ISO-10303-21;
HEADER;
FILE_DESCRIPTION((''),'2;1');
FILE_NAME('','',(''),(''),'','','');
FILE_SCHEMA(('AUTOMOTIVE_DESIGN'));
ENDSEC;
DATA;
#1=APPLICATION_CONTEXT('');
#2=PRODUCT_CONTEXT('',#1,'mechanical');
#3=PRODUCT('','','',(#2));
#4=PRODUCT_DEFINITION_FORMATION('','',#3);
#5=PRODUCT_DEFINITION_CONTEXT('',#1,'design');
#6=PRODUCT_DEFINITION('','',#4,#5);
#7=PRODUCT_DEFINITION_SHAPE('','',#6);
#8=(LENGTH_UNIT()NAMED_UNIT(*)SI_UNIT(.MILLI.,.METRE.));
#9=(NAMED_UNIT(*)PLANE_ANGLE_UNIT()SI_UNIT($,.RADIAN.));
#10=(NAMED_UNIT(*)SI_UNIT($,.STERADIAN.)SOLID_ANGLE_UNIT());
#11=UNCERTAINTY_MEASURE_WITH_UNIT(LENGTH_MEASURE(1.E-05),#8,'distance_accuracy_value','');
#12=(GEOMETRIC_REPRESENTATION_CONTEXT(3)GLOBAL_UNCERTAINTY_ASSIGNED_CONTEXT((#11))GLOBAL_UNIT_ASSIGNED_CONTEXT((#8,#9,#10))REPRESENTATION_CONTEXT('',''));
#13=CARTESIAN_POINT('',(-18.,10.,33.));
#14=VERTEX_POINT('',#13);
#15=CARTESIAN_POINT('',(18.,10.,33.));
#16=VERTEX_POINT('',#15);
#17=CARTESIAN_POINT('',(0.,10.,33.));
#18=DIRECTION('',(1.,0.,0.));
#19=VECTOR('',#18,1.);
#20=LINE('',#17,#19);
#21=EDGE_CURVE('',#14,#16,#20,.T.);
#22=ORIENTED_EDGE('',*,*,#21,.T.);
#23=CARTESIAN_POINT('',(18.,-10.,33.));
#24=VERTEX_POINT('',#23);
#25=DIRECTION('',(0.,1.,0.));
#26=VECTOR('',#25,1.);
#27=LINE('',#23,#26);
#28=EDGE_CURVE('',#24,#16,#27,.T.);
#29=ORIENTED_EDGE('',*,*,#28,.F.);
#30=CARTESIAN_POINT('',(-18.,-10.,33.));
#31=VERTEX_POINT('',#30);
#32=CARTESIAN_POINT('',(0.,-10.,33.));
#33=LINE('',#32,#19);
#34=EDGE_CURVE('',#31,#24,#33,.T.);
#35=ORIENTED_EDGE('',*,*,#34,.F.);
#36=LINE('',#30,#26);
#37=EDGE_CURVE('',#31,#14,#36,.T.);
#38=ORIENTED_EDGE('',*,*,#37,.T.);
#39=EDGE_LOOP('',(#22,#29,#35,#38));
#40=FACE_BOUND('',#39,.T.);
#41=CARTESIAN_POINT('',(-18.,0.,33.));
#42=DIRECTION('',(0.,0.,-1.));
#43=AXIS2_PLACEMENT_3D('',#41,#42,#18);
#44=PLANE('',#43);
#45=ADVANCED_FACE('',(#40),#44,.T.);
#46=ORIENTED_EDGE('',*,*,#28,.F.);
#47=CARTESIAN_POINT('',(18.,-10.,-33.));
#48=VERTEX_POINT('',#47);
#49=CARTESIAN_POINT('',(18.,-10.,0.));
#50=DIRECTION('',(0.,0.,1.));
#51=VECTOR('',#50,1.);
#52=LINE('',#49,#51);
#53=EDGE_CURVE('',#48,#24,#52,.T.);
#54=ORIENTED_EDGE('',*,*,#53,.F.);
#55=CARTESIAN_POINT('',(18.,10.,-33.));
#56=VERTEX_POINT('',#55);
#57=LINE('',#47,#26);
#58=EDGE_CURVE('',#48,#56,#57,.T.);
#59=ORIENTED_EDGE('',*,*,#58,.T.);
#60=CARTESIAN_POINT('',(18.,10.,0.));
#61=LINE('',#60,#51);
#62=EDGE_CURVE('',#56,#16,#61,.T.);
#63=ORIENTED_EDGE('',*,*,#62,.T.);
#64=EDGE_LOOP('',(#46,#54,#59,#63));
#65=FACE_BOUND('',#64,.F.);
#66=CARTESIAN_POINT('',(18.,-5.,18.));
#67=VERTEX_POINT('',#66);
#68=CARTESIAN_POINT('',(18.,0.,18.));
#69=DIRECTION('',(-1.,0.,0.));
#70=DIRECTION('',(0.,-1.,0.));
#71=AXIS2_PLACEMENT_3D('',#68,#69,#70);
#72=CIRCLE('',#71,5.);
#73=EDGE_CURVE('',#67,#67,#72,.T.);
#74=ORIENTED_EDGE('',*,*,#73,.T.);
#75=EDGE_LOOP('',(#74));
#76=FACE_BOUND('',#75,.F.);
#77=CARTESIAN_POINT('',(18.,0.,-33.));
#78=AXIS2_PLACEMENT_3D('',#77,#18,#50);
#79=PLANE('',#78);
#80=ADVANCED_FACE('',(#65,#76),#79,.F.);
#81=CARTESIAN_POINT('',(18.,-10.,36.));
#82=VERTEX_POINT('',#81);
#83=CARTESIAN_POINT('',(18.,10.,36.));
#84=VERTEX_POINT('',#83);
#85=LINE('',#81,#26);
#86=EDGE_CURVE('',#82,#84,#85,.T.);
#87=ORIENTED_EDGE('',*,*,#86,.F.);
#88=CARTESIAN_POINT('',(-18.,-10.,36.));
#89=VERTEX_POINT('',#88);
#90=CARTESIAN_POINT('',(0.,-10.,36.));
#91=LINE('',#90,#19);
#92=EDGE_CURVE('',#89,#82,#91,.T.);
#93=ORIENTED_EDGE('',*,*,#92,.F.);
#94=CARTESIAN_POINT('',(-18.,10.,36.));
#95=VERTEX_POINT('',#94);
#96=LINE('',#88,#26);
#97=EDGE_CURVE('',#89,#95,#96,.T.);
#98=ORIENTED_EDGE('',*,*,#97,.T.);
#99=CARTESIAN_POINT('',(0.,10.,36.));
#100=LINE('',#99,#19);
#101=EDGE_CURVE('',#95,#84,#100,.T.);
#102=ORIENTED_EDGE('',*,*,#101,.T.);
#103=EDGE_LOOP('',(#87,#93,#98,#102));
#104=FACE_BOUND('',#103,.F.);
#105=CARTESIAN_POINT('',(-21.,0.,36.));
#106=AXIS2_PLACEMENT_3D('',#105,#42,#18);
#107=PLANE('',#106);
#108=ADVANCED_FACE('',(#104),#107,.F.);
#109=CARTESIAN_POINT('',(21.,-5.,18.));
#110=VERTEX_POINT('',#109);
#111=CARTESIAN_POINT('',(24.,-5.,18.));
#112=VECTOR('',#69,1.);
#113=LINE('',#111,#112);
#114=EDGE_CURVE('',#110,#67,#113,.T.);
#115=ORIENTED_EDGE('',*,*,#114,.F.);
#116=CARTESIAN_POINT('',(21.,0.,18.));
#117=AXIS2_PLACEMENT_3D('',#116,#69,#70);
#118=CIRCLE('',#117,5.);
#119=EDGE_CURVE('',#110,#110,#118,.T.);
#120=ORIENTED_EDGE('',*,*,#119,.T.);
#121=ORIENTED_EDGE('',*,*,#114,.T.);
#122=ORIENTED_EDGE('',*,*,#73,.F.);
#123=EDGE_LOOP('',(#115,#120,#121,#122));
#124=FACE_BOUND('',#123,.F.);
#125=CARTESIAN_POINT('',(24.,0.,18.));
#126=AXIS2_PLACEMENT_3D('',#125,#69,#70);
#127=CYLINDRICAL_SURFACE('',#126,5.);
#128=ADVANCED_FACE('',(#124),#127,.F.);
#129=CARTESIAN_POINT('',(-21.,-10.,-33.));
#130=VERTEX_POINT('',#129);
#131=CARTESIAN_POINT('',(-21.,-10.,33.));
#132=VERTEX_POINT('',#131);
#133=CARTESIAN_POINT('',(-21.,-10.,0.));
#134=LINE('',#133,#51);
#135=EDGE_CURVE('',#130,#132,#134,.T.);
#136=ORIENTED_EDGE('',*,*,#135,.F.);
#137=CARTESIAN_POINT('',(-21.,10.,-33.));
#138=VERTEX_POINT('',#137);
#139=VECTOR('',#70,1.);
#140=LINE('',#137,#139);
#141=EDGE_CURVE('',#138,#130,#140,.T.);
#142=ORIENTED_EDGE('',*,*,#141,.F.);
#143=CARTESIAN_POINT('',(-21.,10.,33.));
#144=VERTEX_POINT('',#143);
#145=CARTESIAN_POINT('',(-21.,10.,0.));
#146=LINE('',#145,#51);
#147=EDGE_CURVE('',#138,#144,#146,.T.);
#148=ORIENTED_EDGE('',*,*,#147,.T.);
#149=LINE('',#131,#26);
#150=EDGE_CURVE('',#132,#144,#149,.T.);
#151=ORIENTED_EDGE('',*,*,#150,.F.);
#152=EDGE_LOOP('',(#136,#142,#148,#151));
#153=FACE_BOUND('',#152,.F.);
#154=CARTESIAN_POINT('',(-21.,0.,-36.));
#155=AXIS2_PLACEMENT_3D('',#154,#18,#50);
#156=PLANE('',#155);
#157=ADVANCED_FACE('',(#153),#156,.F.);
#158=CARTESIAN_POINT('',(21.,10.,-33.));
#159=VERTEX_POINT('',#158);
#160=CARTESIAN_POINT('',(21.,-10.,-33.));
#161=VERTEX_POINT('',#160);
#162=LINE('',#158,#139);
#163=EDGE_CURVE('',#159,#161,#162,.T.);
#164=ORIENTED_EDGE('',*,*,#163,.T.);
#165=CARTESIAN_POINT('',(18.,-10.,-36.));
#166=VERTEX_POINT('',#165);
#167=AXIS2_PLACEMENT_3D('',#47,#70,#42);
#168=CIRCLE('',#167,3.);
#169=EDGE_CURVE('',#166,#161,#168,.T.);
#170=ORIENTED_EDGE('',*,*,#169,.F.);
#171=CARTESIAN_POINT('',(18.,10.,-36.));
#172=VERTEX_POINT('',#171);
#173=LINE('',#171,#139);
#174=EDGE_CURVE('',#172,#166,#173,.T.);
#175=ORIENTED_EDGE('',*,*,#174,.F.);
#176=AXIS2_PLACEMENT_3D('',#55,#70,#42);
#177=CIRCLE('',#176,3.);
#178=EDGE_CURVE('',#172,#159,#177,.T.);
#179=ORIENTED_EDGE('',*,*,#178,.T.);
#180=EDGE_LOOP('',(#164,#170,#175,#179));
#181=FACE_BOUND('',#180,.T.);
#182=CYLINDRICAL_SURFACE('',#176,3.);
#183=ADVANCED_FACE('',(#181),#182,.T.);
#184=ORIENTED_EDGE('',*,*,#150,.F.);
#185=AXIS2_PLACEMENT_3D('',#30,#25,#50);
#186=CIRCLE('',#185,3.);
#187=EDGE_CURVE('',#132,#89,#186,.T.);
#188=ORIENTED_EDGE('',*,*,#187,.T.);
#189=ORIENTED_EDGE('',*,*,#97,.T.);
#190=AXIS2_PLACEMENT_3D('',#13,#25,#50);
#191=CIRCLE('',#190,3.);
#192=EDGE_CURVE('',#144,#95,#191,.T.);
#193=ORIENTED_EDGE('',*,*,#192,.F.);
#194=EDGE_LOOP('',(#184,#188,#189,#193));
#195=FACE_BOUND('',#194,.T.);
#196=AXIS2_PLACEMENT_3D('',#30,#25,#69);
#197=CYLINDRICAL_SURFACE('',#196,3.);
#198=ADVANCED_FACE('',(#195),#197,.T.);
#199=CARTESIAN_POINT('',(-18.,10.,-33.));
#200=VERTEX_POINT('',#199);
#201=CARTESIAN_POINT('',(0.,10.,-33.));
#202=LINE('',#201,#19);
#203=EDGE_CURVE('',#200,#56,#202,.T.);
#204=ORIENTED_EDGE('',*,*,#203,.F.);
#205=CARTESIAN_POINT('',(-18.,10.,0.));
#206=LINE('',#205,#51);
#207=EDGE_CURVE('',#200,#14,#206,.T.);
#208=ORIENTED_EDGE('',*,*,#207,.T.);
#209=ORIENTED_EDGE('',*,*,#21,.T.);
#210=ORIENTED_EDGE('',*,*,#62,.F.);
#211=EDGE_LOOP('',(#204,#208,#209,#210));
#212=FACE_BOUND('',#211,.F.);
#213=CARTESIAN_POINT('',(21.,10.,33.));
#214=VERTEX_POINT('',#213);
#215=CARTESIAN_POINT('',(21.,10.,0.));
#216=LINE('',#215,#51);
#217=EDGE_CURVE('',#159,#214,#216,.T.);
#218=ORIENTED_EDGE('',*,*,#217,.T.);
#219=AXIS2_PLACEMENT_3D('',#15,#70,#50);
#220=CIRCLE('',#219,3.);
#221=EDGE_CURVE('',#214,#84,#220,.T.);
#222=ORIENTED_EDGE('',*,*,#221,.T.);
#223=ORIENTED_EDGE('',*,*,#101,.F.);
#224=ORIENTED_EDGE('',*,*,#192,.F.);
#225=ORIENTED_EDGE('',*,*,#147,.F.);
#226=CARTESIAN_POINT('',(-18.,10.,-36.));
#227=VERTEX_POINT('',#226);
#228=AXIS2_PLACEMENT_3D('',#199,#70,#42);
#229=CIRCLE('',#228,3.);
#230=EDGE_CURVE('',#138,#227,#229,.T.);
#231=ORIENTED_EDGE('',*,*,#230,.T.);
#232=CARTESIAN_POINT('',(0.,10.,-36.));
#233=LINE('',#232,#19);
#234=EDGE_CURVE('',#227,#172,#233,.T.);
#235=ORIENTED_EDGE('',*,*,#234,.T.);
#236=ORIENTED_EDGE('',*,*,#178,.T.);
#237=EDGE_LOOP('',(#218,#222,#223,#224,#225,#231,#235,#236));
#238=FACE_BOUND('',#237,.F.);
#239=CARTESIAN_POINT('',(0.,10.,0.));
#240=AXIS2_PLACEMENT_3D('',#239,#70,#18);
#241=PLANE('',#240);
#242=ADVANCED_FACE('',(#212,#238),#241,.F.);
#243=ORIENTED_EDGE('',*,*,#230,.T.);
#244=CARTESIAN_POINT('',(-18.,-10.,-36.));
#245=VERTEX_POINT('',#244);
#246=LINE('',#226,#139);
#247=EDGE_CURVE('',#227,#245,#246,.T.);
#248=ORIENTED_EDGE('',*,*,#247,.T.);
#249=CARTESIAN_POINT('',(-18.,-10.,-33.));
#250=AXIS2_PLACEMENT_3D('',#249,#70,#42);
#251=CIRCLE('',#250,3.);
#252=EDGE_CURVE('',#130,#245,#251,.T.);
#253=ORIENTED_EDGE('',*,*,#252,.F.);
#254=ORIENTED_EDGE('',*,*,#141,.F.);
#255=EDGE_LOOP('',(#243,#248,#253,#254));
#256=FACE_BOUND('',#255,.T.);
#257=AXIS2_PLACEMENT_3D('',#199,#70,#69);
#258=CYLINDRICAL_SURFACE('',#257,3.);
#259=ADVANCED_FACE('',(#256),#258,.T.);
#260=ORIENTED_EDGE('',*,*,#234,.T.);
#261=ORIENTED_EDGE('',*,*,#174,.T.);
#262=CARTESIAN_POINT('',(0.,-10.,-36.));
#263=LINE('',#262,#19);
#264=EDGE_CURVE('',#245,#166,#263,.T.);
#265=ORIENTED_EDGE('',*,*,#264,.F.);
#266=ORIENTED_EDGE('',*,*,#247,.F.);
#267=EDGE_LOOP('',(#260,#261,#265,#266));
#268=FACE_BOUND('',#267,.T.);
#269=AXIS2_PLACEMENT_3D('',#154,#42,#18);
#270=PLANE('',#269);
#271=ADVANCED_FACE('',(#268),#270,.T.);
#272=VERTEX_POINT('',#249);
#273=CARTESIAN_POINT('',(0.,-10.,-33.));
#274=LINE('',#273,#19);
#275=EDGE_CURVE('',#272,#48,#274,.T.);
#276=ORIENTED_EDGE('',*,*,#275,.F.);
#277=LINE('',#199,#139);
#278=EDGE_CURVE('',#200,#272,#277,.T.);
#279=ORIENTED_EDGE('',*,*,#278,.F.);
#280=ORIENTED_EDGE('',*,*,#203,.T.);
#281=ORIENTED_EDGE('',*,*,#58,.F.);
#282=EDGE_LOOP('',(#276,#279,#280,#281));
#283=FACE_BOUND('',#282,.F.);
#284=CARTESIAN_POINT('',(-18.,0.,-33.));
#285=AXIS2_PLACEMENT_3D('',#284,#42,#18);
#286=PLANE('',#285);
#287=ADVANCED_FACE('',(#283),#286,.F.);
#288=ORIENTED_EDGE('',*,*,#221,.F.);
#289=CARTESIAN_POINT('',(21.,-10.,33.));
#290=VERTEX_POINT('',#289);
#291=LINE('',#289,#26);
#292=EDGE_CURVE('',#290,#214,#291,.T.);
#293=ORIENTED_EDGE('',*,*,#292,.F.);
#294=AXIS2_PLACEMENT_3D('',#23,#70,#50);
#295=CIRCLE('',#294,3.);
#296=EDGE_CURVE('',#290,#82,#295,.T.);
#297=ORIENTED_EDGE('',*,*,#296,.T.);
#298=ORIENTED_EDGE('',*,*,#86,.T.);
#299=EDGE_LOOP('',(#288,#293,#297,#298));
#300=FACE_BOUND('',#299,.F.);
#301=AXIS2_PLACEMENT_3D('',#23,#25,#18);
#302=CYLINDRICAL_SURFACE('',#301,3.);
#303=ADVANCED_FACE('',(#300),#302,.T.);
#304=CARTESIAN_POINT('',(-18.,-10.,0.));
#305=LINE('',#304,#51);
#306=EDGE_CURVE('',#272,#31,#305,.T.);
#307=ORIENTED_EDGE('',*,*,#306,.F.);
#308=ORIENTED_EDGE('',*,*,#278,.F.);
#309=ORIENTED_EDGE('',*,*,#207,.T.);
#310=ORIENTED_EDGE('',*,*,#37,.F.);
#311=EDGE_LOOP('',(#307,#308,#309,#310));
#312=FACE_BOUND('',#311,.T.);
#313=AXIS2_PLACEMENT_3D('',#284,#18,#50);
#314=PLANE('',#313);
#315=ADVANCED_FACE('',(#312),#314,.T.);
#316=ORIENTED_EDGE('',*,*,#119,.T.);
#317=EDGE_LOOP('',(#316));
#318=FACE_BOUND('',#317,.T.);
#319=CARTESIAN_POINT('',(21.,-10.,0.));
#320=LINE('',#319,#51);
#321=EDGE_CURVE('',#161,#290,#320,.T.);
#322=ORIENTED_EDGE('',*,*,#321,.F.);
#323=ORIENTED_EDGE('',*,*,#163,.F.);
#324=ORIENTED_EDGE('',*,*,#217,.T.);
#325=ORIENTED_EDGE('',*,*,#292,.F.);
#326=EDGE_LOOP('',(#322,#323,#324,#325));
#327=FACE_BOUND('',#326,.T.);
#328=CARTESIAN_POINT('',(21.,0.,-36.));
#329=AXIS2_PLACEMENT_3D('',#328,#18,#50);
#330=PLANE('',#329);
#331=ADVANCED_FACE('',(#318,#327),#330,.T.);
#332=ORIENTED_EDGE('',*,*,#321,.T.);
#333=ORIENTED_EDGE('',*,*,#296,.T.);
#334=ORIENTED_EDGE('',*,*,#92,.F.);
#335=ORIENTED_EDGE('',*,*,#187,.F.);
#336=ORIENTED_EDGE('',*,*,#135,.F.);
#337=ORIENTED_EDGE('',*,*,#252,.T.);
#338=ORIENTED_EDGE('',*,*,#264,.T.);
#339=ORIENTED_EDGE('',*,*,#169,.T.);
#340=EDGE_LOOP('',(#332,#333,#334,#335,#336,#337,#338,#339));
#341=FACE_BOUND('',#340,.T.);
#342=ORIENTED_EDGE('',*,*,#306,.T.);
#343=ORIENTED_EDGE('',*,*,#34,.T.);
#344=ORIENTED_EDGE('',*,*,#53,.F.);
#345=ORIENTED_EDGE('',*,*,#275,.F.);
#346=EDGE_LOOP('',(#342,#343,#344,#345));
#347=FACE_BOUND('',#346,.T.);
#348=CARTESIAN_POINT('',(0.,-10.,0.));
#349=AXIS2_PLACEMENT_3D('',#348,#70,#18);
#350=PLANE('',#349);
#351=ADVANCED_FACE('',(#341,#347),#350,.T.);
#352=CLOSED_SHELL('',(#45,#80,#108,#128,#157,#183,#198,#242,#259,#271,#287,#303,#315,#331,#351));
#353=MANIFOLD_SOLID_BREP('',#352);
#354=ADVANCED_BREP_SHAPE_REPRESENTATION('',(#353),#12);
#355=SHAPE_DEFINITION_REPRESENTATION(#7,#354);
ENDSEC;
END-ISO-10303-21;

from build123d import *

# Parameters (mm, degrees)
F0_W     = 42
F0_H     = 72
F0_W_2   = 36
F0_H_2   = 66
F1_DEPTH = 10
F2_R     = 3
F3_R     = 3
F5_D     = 10
F5_DEPTH = 3


with BuildPart() as f1:
    # F0 (on Front) → F1 (new body, symmetric)
    with BuildSketch(Plane.XZ):
        Rectangle(F0_W, F0_H)
        Rectangle(F0_W_2, F0_H_2, mode=Mode.SUBTRACT)
    extrude(amount=F1_DEPTH, both=True)

    # F2
    f2_edges = [f1.edges().sort_by_distance(p)[0] for p in [
        (21, 0, 36),
        (-21, 0, 36),
    ]]
    fillet(f2_edges, radius=F2_R)

    # F3
    f3_edges = [f1.edges().sort_by_distance(p)[0] for p in [
        (21, 0, -36),
        (-21, 0, -36),
    ]]
    fillet(f3_edges, radius=F3_R)

    # F5
    with Locations(Plane.YZ.offset(21)):
        with Locations((0, 18)):
            Hole(F5_D / 2, depth=F5_DEPTH)


solid = f1.part
